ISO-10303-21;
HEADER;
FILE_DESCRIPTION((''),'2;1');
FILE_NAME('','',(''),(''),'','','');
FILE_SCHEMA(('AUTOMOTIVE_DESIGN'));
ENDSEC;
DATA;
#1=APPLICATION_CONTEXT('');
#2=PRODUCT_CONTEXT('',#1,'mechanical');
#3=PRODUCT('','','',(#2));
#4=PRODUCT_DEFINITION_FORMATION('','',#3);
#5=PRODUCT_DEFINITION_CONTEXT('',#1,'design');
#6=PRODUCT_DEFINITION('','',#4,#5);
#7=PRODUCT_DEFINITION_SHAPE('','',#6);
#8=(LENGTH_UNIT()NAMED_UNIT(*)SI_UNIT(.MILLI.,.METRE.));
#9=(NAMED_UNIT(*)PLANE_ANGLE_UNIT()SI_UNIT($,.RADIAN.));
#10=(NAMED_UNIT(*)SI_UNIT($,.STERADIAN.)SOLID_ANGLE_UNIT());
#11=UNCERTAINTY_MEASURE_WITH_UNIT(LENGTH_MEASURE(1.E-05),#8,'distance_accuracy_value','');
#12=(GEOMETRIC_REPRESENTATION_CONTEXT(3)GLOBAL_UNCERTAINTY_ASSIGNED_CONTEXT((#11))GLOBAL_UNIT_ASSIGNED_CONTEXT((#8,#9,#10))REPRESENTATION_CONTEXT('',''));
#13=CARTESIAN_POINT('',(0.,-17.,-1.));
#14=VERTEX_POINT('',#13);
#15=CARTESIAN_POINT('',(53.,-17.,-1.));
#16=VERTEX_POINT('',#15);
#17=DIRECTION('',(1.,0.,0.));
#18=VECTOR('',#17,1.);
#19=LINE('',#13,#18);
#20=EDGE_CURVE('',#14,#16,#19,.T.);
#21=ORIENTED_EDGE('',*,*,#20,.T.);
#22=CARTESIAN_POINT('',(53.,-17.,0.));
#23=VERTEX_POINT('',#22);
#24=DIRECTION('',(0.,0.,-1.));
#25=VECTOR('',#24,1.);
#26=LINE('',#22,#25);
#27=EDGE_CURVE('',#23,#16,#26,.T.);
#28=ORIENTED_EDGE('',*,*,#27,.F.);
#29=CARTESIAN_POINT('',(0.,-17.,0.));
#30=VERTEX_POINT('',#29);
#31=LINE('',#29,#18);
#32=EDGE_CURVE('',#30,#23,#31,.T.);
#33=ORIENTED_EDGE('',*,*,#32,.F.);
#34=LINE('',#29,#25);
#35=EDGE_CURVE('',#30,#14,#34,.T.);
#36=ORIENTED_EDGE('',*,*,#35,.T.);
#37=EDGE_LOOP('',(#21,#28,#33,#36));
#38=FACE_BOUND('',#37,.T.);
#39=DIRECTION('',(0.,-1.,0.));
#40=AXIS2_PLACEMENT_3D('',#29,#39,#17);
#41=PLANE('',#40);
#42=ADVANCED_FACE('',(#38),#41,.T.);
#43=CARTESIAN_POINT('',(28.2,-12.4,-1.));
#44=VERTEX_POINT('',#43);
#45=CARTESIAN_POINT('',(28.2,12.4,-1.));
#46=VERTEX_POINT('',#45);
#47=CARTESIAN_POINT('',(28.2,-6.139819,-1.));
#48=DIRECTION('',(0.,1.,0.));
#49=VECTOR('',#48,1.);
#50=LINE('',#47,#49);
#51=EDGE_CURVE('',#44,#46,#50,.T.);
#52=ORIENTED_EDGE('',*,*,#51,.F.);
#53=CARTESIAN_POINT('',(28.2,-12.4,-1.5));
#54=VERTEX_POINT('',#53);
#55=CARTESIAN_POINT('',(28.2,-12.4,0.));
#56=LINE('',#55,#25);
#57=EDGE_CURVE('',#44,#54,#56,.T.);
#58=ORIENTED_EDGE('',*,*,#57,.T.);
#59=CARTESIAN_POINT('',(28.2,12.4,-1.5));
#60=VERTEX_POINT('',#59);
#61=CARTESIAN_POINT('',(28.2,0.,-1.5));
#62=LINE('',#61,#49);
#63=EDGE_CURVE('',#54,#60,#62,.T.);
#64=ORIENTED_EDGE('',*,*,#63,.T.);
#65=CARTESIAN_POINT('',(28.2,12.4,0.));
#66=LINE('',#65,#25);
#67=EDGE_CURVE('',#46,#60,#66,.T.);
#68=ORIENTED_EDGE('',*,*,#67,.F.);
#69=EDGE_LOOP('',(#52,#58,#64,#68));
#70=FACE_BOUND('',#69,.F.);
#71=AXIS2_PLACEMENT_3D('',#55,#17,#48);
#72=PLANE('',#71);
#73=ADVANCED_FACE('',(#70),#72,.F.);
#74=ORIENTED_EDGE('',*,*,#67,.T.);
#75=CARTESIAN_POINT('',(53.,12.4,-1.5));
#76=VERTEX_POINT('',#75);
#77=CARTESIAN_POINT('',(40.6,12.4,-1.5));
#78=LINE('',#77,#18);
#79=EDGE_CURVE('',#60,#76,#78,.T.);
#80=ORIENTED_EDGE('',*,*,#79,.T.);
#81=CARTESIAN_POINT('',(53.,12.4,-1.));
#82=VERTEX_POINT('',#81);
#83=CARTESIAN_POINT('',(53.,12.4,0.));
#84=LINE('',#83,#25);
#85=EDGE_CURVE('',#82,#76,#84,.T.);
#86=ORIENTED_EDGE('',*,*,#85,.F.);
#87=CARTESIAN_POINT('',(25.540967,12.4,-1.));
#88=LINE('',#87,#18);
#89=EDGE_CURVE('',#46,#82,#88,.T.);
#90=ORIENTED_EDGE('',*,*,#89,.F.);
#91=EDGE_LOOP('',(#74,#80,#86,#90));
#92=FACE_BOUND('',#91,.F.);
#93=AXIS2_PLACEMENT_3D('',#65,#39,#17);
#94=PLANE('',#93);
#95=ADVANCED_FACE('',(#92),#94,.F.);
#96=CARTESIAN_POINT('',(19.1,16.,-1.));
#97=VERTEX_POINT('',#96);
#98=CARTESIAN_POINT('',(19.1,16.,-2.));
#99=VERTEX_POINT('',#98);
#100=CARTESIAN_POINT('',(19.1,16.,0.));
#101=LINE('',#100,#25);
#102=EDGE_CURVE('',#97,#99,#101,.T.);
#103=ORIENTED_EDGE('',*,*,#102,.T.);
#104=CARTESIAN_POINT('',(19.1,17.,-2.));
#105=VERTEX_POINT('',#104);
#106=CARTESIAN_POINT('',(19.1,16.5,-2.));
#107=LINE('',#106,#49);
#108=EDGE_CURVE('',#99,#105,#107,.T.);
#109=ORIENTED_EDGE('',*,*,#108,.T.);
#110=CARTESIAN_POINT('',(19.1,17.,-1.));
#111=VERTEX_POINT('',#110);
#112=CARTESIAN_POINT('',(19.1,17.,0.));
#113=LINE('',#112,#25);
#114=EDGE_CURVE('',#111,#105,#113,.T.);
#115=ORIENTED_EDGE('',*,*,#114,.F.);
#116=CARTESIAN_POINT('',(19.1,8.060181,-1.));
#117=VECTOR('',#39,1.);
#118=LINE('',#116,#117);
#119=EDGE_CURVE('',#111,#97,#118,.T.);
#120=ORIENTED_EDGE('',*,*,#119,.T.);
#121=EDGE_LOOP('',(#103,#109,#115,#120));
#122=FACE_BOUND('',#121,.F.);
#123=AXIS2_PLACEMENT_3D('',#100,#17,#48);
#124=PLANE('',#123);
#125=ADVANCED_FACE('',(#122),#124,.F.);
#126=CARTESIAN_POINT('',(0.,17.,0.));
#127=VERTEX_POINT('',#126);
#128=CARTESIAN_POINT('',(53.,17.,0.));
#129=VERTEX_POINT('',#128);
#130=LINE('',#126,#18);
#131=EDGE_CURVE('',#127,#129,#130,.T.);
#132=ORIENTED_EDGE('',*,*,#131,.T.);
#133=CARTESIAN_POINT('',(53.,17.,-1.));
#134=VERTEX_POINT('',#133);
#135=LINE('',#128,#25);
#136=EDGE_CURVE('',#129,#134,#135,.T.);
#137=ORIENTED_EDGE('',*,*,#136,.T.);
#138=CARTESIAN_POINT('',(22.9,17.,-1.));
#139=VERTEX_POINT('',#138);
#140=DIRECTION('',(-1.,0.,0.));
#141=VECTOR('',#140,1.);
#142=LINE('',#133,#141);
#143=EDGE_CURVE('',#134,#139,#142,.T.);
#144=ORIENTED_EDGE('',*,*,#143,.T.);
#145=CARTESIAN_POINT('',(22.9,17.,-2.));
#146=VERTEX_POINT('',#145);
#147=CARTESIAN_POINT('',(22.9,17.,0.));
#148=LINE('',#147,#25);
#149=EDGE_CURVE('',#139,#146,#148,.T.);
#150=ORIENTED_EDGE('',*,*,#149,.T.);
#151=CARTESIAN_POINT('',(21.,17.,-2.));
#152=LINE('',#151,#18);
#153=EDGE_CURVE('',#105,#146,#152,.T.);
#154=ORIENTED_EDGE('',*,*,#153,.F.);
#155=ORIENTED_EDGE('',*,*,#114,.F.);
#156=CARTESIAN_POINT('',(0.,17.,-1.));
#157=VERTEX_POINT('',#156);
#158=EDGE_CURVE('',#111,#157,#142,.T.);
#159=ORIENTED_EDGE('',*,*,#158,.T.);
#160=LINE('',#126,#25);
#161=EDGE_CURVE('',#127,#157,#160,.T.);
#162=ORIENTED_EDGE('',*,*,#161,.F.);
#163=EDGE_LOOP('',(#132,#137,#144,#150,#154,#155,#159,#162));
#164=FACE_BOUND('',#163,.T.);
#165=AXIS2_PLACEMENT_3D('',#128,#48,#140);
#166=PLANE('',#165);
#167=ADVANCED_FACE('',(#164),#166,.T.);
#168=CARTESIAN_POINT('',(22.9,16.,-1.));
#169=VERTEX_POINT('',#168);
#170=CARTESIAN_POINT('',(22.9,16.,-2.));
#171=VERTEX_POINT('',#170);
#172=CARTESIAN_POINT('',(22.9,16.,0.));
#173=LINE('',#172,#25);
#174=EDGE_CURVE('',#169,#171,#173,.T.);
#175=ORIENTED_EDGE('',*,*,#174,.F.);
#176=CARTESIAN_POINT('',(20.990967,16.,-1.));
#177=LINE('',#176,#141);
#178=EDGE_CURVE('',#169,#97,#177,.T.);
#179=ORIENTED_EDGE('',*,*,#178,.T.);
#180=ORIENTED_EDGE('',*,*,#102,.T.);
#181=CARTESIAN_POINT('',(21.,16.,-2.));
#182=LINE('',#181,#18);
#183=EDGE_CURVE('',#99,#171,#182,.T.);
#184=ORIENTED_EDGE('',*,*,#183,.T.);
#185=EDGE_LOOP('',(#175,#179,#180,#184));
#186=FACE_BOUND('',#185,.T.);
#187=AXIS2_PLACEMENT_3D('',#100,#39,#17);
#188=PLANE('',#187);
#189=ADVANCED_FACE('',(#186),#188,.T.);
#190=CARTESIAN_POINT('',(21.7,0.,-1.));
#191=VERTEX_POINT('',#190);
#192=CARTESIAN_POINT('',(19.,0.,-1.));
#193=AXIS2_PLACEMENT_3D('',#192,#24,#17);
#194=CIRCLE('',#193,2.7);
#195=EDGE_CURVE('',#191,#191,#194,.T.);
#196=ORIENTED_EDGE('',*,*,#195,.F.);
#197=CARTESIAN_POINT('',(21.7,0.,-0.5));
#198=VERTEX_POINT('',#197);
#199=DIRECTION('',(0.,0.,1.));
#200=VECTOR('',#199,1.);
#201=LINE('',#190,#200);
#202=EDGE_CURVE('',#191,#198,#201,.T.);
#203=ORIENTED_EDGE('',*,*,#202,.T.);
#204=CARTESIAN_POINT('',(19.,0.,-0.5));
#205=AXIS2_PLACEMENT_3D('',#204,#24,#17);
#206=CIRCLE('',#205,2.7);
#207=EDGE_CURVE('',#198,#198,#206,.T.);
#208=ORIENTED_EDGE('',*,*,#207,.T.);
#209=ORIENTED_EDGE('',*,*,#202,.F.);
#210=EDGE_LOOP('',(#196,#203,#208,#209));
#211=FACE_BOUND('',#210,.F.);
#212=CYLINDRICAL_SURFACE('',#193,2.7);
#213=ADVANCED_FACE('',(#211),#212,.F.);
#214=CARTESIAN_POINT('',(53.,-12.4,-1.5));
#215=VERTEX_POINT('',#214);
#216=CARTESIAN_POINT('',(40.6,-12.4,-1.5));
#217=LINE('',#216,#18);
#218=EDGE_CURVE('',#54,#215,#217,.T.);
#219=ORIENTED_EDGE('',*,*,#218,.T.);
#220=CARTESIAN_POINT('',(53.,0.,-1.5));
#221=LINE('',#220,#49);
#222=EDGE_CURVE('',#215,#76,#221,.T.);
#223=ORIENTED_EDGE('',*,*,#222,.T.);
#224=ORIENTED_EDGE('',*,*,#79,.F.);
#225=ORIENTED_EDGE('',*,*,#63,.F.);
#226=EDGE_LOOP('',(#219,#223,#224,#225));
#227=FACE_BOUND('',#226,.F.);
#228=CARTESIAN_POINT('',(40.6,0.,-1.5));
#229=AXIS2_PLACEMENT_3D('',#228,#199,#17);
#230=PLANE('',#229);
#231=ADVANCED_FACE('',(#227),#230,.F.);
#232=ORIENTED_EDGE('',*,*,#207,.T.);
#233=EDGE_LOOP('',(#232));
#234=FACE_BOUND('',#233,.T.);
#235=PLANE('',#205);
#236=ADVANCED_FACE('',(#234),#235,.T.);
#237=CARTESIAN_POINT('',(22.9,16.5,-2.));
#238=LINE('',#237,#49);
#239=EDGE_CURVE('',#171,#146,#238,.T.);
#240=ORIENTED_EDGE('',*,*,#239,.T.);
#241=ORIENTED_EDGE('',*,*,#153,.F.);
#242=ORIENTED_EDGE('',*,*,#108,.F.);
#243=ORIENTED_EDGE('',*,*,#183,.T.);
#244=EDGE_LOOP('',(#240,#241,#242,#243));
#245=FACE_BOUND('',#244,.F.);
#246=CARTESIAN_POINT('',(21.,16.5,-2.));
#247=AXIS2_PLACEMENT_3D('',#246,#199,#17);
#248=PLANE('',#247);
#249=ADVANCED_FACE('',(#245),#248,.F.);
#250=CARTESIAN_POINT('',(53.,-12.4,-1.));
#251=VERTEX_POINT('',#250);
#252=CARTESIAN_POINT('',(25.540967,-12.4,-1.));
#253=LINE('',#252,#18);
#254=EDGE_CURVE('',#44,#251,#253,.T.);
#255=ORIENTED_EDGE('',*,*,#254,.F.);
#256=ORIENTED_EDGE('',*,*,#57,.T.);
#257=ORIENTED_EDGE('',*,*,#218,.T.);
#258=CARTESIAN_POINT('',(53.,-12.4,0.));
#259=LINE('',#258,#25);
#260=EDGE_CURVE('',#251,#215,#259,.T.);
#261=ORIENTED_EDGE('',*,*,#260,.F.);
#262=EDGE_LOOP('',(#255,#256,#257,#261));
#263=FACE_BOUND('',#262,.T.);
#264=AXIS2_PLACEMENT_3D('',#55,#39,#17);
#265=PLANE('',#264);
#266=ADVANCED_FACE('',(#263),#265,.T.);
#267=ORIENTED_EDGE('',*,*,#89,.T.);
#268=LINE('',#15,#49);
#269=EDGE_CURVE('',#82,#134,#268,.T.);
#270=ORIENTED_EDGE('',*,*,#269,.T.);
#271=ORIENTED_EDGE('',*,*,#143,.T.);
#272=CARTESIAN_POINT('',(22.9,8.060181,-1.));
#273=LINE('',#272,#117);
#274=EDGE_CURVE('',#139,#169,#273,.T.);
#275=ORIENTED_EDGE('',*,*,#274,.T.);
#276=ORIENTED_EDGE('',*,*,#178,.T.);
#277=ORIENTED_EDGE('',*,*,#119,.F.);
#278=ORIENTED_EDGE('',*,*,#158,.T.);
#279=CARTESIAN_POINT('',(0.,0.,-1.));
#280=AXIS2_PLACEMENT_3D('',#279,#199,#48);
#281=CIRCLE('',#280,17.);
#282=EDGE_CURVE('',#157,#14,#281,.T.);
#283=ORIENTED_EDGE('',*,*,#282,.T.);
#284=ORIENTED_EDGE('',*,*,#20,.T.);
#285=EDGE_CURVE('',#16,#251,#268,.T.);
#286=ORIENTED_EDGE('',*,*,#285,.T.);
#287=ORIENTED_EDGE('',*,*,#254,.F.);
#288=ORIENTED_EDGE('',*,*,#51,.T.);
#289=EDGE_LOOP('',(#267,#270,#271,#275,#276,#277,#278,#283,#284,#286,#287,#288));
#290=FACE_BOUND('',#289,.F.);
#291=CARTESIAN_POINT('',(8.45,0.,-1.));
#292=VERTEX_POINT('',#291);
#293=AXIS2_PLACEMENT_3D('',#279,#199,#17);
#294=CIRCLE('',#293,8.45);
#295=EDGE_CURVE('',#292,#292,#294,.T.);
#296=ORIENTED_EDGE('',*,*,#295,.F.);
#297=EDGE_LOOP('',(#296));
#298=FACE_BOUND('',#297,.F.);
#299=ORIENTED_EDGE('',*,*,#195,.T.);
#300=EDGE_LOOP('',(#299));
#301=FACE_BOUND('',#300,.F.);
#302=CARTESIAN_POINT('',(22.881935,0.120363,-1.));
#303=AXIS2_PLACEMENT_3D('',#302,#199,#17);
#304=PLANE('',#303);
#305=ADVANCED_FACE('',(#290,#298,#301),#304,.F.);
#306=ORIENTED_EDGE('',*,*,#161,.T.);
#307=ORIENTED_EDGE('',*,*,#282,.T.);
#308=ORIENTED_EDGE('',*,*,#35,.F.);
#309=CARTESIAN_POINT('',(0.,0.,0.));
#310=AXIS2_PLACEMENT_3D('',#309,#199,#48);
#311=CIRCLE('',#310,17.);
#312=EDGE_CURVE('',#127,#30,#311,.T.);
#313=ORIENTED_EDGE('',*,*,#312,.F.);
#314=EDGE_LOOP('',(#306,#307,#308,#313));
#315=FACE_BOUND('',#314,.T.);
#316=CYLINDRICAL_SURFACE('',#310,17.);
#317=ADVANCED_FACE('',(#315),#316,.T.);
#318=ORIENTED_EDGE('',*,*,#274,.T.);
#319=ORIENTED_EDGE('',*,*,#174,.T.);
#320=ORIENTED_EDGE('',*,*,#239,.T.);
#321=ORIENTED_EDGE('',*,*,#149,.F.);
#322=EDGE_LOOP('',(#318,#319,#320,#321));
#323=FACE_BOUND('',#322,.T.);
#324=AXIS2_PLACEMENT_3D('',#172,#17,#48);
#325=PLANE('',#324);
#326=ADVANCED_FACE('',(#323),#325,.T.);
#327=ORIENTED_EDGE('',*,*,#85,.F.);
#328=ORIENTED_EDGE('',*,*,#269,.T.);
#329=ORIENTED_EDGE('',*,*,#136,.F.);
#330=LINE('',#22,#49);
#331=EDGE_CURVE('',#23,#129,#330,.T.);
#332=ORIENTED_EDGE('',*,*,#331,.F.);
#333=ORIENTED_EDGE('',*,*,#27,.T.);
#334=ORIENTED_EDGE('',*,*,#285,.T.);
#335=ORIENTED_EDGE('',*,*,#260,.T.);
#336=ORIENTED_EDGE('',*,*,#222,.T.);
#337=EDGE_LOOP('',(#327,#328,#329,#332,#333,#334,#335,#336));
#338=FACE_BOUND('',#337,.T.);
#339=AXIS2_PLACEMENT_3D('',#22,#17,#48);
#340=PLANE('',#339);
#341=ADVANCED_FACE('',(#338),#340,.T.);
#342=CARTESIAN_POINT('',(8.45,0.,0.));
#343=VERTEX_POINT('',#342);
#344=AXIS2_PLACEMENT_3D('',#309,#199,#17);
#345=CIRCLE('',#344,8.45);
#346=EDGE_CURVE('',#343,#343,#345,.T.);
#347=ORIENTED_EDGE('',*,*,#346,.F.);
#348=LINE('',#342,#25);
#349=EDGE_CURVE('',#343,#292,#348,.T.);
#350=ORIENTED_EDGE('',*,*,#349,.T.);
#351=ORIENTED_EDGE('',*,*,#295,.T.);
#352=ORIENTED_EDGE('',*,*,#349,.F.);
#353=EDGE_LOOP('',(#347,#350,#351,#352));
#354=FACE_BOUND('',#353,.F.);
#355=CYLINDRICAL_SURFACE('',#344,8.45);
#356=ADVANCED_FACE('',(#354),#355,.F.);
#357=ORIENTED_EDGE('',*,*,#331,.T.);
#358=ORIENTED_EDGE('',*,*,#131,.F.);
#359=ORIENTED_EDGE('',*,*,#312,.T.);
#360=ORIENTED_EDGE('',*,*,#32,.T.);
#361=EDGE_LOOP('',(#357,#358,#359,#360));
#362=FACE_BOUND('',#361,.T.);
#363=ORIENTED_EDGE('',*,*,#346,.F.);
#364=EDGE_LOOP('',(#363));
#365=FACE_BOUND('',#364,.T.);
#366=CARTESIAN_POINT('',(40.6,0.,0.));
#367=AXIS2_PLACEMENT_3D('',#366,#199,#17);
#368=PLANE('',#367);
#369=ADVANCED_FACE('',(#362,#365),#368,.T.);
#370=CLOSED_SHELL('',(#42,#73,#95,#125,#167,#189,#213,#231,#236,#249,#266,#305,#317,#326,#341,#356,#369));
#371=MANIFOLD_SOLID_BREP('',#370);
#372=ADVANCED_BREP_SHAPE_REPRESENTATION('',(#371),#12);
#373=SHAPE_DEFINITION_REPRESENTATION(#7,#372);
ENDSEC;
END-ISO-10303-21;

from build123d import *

# Parameters (mm, degrees)
F0_W     = 3.8
F0_H     = 1
F1_DEPTH = 2
F0_R     = 8.45
F0_W_2   = 24.8
F0_H_2   = 24.8
F2_DEPTH = 1
F3_R     = 2.7
F4_DEPTH = 0.5
F5_DEPTH = 1.5


with BuildPart() as f1:
    # F0 (on Top) → F1 (new body)
    with BuildSketch(Plane.XY):
        with Locations((21, 16.5)):
            Rectangle(F0_W, F0_H)
    extrude(amount=-F1_DEPTH)

    # F0 (on Top) → F2 (join)
    with BuildSketch(Plane.XY):
        with BuildLine():
            Line((19.1, 17), (0, 17))
            ThreePointArc((0, 17), (-17, 0), (0, -17))
            Line((0, -17), (53, -17))
            Line((53, -17), (53, -12.4))
            Line((53, -12.4), (28.2, -12.4))
            Line((28.2, -12.4), (28.2, 12.4))
            Line((28.2, 12.4), (53, 12.4))
            Line((53, 12.4), (53, 17))
            Line((53, 17), (22.9, 17))
            Line((22.9, 17), (22.9, 16))
            Line((22.9, 16), (19.1, 16))
            Line((19.1, 16), (19.1, 17))
        make_face()
        Circle(F0_R, mode=Mode.SUBTRACT)
        with Locations((21, 16.5)):
            Rectangle(F0_W, F0_H)
        with Locations((40.6, 0)):
            Rectangle(F0_W_2, F0_H_2)
    extrude(amount=-F2_DEPTH)

    # F3 (on face) → F4 (cut)
    with BuildSketch(Plane(origin=(0, 0, -1), x_dir=(1, 0, 0), z_dir=(0, 0, -1))):
        with Locations((19, 0)):
            Circle(F3_R)
    extrude(amount=-F4_DEPTH, mode=Mode.SUBTRACT)

    # F0 (on Top) → F5 (join)
    with BuildSketch(Plane.XY):
        with Locations((40.6, 0)):
            Rectangle(F0_W_2, F0_H_2)
    extrude(amount=-F5_DEPTH)


solid = f1.part
